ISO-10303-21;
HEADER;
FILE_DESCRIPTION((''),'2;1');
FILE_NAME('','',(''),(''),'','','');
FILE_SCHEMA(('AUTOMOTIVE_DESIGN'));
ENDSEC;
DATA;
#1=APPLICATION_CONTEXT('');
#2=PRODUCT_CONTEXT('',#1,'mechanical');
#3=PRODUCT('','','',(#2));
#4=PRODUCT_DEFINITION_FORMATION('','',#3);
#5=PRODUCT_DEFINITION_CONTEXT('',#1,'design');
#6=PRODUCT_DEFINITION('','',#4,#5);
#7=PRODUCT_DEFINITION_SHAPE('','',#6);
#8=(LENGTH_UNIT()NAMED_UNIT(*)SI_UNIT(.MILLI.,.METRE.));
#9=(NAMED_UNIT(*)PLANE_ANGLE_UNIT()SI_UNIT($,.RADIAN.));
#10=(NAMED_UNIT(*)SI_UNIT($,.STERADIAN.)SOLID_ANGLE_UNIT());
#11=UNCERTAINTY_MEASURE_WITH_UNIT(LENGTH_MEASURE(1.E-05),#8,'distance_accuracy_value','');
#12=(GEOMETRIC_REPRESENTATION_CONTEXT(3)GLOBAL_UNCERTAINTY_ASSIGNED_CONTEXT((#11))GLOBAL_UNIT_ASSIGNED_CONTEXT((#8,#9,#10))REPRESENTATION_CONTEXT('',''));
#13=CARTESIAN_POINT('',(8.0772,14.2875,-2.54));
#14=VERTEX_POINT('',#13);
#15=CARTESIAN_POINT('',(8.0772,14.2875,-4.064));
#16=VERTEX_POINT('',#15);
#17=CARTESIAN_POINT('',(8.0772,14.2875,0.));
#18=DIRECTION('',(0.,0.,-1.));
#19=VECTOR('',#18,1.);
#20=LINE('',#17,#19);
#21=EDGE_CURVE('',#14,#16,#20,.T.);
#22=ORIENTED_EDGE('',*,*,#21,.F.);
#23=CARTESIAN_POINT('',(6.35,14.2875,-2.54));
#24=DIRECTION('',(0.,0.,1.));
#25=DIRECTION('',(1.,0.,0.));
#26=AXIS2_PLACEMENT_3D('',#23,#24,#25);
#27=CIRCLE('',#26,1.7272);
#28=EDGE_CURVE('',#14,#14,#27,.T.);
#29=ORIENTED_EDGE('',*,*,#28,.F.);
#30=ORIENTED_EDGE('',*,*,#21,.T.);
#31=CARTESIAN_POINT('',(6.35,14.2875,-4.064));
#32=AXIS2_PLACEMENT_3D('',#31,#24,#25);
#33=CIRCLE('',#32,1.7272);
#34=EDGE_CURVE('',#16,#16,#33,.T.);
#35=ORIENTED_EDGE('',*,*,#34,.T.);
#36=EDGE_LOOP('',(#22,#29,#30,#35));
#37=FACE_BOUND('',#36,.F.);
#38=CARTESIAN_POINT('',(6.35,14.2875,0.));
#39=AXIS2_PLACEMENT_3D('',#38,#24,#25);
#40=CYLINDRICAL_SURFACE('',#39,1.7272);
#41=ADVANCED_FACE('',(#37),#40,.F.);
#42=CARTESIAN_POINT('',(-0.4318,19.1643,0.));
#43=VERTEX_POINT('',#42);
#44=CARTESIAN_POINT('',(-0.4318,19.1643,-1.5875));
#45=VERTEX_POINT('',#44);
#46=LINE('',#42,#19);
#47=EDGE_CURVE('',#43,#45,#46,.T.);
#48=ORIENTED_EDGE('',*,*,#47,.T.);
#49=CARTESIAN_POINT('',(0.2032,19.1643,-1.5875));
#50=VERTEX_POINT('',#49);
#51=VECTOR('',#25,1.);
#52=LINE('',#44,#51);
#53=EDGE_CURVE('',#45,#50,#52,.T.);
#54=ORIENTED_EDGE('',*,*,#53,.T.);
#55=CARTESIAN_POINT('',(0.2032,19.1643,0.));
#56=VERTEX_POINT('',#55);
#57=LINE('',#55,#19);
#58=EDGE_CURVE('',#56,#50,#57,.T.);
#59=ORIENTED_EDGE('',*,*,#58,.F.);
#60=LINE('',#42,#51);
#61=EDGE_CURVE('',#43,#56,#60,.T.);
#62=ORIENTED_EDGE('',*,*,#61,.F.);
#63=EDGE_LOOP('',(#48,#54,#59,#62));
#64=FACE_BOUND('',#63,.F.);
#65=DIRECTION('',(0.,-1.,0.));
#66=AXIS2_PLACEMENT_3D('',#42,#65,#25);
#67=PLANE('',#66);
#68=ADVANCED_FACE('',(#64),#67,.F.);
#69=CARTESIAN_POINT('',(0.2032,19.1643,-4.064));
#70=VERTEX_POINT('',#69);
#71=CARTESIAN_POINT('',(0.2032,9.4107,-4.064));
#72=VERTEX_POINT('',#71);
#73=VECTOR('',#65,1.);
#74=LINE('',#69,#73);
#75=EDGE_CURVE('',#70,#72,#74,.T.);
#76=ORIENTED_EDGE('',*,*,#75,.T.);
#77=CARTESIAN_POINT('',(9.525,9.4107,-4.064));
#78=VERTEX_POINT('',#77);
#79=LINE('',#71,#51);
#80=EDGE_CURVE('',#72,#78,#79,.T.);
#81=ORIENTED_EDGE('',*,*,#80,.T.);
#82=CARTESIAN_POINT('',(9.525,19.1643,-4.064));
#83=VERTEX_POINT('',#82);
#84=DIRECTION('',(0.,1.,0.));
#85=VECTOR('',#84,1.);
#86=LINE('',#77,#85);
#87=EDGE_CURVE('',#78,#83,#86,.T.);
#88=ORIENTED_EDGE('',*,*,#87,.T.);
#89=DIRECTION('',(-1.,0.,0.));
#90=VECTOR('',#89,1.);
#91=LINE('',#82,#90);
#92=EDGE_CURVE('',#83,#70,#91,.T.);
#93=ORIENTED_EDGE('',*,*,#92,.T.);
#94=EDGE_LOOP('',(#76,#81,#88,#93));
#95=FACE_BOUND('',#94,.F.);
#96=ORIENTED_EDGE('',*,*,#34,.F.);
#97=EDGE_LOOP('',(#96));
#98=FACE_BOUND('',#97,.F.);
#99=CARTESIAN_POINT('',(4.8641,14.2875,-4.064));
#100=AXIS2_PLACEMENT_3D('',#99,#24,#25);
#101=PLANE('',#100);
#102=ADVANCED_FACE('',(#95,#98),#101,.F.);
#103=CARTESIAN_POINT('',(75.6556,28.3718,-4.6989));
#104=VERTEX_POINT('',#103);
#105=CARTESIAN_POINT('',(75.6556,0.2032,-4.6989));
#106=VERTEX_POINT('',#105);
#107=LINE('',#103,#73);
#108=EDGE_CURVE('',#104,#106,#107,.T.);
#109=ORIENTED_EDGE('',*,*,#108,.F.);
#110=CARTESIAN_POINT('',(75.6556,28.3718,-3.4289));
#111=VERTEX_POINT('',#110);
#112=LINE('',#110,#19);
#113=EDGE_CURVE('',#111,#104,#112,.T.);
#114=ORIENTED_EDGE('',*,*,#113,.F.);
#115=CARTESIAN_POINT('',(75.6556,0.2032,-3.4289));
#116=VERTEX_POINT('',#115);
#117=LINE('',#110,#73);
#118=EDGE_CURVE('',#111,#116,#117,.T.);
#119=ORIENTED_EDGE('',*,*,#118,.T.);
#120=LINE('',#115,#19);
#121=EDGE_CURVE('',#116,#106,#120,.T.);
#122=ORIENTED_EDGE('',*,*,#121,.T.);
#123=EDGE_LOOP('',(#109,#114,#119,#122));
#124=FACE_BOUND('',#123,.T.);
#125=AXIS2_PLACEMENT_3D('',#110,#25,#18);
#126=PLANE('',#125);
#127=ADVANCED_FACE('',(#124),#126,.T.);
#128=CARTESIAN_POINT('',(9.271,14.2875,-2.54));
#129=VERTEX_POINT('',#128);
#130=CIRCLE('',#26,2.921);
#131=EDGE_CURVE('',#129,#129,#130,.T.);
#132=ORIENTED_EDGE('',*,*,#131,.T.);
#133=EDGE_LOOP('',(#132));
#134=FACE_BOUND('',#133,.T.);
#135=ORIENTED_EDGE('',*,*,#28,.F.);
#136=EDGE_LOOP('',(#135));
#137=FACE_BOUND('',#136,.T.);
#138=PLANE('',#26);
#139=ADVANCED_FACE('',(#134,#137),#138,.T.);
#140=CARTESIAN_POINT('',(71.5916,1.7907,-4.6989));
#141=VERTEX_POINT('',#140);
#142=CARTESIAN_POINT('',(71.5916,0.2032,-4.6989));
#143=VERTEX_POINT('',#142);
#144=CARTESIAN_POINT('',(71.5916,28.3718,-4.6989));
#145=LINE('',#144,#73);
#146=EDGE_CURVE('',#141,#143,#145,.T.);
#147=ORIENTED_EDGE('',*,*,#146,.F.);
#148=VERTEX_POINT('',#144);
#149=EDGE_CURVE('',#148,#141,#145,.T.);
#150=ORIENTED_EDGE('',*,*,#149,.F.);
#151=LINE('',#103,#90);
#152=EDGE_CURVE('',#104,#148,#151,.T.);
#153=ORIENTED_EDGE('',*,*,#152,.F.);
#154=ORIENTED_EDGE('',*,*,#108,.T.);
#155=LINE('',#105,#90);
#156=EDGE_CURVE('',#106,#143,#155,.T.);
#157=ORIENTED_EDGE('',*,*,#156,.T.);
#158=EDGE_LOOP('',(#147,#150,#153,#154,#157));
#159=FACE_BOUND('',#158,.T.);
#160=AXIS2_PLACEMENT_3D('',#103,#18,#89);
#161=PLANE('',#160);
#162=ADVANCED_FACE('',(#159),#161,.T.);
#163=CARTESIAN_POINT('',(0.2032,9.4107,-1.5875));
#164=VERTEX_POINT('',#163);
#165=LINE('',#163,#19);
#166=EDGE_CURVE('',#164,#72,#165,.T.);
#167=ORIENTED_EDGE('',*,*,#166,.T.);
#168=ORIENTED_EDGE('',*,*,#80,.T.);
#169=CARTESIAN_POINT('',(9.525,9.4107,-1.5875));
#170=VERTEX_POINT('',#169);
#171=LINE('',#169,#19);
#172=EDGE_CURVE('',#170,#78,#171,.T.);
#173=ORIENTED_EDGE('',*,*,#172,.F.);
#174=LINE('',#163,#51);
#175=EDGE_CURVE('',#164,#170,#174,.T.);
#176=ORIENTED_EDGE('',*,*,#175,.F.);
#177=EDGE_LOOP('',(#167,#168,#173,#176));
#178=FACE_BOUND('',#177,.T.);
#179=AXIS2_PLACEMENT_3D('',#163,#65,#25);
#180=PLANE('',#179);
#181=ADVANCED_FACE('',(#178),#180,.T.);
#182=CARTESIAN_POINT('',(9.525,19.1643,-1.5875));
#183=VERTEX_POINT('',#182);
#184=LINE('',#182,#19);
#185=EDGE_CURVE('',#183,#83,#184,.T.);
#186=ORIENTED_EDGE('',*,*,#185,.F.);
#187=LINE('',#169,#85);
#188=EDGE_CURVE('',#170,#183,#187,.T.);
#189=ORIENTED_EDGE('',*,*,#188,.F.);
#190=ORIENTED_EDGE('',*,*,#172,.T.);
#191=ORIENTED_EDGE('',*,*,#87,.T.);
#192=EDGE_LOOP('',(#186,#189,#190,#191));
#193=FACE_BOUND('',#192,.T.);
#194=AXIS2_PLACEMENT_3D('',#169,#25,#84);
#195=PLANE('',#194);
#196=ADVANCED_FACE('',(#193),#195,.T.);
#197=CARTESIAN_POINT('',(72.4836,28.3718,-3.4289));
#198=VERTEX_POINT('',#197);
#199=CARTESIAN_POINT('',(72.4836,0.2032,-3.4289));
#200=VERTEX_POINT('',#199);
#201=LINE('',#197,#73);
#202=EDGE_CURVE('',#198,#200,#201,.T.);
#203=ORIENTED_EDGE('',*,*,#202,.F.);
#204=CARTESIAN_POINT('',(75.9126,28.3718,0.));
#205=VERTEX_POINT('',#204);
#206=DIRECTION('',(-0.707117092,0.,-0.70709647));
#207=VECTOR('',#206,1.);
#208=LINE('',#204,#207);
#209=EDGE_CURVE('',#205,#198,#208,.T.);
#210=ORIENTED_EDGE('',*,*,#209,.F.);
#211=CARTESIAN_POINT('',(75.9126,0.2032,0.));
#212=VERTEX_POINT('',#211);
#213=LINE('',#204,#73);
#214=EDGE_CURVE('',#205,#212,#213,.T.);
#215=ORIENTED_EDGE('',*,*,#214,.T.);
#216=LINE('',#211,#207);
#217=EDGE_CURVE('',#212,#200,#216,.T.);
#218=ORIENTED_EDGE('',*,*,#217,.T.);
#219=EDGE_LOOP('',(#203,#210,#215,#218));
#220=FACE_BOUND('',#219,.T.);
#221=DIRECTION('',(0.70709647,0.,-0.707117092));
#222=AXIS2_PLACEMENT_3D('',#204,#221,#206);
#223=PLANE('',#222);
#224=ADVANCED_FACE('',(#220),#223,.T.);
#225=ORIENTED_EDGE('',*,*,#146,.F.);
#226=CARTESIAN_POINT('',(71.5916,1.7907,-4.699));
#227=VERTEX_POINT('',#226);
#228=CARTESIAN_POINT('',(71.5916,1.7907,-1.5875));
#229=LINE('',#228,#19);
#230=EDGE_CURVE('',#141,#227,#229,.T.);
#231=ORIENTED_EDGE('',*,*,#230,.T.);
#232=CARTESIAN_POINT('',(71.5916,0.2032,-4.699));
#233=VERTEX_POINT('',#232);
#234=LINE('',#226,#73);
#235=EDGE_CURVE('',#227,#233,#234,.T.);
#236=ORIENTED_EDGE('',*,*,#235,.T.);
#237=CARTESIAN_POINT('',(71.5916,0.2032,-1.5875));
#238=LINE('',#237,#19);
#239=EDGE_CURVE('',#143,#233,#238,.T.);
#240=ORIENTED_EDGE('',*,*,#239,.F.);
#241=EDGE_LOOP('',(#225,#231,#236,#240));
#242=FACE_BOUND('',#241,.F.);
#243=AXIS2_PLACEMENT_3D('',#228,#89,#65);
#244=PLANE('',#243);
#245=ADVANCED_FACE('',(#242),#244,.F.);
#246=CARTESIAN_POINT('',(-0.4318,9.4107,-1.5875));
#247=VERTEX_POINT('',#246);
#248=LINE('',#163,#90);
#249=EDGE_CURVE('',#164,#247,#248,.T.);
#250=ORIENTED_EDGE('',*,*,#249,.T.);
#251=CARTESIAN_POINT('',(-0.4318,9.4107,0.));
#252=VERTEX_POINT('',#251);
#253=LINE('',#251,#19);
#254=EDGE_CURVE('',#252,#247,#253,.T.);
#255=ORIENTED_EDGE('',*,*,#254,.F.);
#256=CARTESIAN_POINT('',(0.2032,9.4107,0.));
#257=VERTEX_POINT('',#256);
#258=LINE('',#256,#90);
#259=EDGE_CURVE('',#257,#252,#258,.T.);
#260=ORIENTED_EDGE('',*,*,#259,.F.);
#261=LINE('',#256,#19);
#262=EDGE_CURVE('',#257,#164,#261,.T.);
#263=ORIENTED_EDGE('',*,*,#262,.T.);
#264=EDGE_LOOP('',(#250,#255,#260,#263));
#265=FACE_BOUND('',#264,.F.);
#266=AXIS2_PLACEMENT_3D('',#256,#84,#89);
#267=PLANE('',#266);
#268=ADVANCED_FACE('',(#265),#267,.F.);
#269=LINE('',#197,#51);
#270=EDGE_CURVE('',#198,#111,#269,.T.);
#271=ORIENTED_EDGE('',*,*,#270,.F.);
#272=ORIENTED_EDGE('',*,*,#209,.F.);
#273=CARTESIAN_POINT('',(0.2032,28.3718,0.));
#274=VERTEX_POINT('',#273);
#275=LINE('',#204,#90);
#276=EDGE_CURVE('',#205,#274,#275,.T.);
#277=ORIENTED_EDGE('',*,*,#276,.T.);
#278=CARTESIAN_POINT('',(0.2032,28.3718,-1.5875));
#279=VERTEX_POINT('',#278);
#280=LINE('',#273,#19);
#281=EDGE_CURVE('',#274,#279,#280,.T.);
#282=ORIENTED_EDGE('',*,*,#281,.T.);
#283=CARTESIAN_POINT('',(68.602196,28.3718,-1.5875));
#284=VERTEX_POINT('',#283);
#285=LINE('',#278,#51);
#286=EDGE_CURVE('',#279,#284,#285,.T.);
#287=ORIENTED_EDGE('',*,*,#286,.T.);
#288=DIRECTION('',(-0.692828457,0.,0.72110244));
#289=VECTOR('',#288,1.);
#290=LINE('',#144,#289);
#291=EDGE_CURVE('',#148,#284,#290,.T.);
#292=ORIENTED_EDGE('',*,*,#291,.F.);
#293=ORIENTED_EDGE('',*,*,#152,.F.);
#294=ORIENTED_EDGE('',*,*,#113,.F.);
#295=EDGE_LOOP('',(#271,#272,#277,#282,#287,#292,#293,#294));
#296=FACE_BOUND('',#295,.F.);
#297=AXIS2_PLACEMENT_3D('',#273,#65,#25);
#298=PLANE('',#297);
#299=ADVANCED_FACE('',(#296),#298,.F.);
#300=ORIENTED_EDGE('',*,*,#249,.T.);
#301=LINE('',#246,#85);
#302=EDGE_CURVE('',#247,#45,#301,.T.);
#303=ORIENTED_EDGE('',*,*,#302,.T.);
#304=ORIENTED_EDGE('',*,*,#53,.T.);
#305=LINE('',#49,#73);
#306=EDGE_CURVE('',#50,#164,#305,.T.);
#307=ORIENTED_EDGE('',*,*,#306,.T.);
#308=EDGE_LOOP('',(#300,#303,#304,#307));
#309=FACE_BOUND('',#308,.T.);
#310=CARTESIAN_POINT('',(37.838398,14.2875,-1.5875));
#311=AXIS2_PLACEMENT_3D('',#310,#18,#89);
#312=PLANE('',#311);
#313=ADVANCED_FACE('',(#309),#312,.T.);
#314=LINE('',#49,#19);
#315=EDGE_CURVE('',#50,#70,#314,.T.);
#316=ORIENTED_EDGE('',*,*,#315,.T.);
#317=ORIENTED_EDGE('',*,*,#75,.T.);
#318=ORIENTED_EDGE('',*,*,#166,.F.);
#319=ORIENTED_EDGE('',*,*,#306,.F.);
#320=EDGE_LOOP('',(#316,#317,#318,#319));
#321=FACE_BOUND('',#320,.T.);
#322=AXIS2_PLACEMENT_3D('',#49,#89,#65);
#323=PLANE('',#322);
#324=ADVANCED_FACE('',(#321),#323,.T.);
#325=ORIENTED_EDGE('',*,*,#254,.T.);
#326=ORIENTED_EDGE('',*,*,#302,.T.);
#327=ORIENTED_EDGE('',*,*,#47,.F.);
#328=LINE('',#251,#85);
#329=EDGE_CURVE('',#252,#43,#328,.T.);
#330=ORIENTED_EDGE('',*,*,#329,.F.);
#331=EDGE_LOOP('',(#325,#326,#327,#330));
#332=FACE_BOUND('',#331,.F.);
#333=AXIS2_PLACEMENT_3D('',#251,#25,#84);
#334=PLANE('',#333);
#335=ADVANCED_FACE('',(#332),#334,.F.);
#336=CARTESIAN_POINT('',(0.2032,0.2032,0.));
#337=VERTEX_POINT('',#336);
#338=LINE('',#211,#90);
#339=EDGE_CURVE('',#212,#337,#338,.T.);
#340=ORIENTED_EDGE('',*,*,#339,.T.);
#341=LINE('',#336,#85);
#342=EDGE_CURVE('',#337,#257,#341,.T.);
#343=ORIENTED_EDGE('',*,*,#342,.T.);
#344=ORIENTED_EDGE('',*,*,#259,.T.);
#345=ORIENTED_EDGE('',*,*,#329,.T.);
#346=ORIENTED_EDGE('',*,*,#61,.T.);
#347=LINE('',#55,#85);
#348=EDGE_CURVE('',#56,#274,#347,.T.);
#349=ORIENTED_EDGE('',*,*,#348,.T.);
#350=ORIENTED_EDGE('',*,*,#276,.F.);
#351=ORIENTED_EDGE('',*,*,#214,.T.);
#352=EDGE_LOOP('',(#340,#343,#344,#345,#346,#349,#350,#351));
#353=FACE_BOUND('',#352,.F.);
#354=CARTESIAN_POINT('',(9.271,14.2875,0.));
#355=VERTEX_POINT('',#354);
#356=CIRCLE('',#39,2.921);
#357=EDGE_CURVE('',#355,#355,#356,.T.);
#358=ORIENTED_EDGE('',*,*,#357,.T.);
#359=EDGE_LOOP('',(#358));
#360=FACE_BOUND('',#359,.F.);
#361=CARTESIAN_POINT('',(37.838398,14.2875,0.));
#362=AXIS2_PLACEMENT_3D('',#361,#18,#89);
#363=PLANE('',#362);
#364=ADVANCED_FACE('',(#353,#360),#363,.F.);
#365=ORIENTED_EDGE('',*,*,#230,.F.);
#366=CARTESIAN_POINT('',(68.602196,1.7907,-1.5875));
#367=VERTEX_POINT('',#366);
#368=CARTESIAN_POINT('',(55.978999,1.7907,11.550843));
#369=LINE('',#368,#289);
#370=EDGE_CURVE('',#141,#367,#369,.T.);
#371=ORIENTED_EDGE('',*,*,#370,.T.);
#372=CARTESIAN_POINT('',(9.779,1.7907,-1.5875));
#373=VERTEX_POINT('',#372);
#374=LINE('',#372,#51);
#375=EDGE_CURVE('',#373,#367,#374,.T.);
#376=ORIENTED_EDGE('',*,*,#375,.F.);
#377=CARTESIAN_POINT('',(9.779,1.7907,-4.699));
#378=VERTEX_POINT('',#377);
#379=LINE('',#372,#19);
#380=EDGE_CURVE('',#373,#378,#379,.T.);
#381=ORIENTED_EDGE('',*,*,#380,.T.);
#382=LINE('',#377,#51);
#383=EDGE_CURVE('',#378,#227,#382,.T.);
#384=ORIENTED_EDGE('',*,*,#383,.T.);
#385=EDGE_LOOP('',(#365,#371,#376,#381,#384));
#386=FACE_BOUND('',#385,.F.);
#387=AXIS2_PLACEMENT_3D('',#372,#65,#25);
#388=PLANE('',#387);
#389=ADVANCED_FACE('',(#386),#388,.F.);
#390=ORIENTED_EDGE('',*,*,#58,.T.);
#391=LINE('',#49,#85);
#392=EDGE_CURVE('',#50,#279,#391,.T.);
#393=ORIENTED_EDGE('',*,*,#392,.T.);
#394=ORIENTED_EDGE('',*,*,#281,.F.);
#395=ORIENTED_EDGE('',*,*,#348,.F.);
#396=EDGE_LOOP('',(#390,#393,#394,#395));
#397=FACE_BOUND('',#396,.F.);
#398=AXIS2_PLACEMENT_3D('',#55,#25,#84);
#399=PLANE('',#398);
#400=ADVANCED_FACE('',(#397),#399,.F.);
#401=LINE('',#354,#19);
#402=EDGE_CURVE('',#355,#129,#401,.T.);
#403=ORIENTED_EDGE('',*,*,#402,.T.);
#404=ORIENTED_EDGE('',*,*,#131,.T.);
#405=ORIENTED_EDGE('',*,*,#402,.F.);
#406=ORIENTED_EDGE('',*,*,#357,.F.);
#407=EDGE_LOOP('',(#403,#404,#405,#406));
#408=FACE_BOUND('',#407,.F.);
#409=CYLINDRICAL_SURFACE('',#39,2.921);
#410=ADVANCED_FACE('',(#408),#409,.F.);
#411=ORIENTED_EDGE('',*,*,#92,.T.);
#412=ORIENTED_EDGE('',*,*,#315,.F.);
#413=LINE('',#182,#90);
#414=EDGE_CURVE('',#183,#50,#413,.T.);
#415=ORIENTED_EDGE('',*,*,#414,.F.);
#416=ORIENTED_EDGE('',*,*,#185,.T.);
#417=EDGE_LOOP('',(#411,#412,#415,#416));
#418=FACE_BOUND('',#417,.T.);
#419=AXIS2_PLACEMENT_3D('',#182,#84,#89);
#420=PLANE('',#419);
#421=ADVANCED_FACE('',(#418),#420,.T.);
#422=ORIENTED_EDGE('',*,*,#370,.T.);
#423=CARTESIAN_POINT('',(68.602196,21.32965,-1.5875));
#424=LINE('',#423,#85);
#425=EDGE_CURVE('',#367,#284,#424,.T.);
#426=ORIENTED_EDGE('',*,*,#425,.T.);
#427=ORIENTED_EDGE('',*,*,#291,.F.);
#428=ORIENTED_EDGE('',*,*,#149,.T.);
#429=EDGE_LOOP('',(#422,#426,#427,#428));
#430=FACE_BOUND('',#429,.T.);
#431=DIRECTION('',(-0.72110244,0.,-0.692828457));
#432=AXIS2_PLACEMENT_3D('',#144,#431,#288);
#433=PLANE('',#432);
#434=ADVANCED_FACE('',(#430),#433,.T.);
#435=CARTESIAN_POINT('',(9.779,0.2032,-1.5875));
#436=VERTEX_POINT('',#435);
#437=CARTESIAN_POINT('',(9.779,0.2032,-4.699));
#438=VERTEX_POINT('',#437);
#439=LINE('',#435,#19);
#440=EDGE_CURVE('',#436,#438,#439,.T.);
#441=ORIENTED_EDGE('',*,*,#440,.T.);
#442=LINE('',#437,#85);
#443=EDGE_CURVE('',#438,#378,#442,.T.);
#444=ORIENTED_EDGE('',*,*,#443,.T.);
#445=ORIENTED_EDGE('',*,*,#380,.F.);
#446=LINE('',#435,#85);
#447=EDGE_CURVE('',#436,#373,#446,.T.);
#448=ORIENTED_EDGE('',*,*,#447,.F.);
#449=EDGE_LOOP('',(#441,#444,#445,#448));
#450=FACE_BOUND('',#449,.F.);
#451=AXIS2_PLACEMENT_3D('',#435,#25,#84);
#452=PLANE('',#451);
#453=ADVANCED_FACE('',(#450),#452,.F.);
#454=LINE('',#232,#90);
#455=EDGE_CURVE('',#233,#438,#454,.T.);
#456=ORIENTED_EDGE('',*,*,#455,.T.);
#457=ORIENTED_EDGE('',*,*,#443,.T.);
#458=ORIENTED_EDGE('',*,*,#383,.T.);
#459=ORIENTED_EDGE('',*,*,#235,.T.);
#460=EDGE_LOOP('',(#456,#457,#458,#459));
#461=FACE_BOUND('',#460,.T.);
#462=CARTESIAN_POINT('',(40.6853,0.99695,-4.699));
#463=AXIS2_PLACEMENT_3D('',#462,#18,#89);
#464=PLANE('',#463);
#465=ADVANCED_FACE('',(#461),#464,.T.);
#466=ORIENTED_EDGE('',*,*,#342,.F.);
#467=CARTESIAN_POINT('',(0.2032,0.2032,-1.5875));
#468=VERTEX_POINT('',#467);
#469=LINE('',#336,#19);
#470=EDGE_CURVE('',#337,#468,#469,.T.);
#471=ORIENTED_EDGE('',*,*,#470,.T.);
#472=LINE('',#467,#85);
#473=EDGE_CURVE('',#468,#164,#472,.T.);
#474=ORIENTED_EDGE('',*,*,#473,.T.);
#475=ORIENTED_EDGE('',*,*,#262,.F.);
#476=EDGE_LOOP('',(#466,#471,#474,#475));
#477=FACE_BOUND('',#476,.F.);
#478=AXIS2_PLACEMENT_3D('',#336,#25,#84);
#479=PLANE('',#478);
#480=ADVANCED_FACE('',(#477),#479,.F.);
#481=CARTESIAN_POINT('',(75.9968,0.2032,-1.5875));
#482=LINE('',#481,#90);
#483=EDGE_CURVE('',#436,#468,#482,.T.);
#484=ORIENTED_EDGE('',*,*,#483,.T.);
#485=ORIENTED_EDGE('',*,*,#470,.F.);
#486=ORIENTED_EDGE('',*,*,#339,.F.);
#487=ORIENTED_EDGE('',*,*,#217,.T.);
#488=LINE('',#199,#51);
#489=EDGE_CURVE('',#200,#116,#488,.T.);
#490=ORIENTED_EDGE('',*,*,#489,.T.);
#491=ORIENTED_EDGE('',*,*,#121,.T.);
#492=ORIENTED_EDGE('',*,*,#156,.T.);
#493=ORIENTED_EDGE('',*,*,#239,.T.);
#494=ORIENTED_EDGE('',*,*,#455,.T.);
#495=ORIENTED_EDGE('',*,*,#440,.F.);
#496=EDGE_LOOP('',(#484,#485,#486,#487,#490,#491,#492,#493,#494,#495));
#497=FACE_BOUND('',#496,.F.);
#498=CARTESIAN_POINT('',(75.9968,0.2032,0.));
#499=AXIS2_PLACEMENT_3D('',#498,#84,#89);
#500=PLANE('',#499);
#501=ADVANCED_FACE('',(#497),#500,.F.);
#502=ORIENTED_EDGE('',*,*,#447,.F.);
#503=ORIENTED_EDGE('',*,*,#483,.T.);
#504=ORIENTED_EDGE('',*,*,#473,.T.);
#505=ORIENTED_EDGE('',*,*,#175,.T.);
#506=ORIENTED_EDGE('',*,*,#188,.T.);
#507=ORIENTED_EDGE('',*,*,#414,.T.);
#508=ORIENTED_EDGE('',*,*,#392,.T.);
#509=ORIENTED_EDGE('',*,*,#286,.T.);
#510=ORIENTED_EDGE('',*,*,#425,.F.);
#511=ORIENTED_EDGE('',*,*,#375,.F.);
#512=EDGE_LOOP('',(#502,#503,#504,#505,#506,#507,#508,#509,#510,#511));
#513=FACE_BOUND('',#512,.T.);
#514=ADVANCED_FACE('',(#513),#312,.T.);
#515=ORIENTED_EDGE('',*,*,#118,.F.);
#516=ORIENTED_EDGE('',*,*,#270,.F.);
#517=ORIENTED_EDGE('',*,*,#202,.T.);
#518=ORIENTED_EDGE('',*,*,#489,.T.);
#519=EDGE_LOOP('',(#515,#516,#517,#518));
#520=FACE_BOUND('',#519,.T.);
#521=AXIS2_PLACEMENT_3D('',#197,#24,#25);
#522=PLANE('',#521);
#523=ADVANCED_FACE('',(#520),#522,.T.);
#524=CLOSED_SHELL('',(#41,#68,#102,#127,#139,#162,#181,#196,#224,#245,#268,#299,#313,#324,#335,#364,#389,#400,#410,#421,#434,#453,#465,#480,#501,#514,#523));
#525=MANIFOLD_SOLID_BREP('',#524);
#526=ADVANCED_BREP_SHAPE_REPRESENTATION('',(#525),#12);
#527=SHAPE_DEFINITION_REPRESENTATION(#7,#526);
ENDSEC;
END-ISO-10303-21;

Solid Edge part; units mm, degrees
sketch "Sketch1" plane through (0, 0, 0) normal (0, 0, 1) x (1, 0, 0)
  line L0 (75.9968, 0.2032) -> (0.2032, 0.2032)
  line L1 (0.2032, 0.2032) -> (0.2032, 9.4107)
  line L2 (0.2032, 9.4107) -> (-0.4318, 9.4107)
  line L3 (-0.4318, 9.4107) -> (-0.4318, 19.1643)
  line L4 (-0.4318, 19.1643) -> (0.2032, 19.1643)
  line L5 (0.2032, 19.1643) -> (0.2032, 28.3718)
  line L6 (0.2032, 28.3718) -> (75.9968, 28.3718)
  line L7 (75.9968, 28.3718) -> (75.9968, 0.2032)
extrude "Protrusion1" add sketch "Sketch1" against normal up to vertex (1.5875 mm away)
sketch "Sketch2" plane through (38.1, 28.3718, -0.7937) normal (0, 1, 0) x (1, 0, 0)
  line L0 (34.6376, 2.3812) -> (38.862, -1.8431)
  line L1 (38.862, -1.8431) -> (38.862, 2.3812)
  line L2 (38.862, 2.3812) -> (34.6376, 2.3812)
extrude "Cutout1" cut sketch "Sketch2" against normal up to next
sketch "Sketch3" plane through (36.9467, 14.2875, -1.5875) normal (0, 0, -1) x (1, 0, 0)
  line L0 (-27.4217, -4.8768) -> (-36.7435, -4.8768)
  line L1 (-36.7435, -4.8768) -> (-36.7435, 4.8768)
  line L2 (-36.7435, 4.8768) -> (-27.4217, 4.8768)
  line L3 (-27.4217, 4.8768) -> (-27.4217, -4.8768)
extrude "Protrusion2" add sketch "Sketch3" along normal up to vertex (2.4765 mm away)
sketch "Sketch4" plane through (37.7404, 14.2875, 0) normal (0, 0, 1) x (1, 0, 0)
  circle A0 centre (-31.3904, 0) radius 1.7272
extrude "Cutout2" cut sketch "Sketch4" against normal through all
sketch "Sketch5" plane through (37.7404, 14.2875, 0) normal (0, 0, 1) x (1, 0, 0)
  circle A0 centre (-31.3904, 0) radius 2.921
extrude "Cutout3" cut sketch "Sketch5" against normal blind 2.54
sketch "Sketch6" plane through (38.0579, 28.3718, -0.7937) normal (0, 1, 0) x (1, 0, 0)
  line L0 (33.5337, 3.9052) -> (30.5442, 0.7937)
  line L1 (30.5442, 0.7937) -> (30.5442, -0.7937)
  line L2 (30.5442, -0.7937) -> (37.8547, -0.7937)
  line L3 (37.8547, -0.7937) -> (34.4257, 2.6352)
  line L4 (34.4257, 2.6352) -> (37.5977, 2.6352)
  line L5 (37.5977, 2.6352) -> (37.5977, 3.9052)
  line L6 (37.5977, 3.9052) -> (33.5337, 3.9052)
extrude "Protrusion3" add sketch "Sketch6" against normal up to vertex (28.1686 mm away)
sketch "Sketch7" plane through (34.4027, 14.2875, -1.5875) normal (0, 0, -1) x (1, 0, 0)
  line L0 (-24.6237, 12.4968) -> (37.1889, 12.4968)
  line L1 (37.1889, 12.4968) -> (37.1889, 14.0843)
  line L2 (37.1889, 14.0843) -> (-24.6237, 14.0843)
  line L3 (-24.6237, 14.0843) -> (-24.6237, 12.4968)
extrude "Protrusion4" add sketch "Sketch7" along normal up to vertex (3.1115 mm away)
